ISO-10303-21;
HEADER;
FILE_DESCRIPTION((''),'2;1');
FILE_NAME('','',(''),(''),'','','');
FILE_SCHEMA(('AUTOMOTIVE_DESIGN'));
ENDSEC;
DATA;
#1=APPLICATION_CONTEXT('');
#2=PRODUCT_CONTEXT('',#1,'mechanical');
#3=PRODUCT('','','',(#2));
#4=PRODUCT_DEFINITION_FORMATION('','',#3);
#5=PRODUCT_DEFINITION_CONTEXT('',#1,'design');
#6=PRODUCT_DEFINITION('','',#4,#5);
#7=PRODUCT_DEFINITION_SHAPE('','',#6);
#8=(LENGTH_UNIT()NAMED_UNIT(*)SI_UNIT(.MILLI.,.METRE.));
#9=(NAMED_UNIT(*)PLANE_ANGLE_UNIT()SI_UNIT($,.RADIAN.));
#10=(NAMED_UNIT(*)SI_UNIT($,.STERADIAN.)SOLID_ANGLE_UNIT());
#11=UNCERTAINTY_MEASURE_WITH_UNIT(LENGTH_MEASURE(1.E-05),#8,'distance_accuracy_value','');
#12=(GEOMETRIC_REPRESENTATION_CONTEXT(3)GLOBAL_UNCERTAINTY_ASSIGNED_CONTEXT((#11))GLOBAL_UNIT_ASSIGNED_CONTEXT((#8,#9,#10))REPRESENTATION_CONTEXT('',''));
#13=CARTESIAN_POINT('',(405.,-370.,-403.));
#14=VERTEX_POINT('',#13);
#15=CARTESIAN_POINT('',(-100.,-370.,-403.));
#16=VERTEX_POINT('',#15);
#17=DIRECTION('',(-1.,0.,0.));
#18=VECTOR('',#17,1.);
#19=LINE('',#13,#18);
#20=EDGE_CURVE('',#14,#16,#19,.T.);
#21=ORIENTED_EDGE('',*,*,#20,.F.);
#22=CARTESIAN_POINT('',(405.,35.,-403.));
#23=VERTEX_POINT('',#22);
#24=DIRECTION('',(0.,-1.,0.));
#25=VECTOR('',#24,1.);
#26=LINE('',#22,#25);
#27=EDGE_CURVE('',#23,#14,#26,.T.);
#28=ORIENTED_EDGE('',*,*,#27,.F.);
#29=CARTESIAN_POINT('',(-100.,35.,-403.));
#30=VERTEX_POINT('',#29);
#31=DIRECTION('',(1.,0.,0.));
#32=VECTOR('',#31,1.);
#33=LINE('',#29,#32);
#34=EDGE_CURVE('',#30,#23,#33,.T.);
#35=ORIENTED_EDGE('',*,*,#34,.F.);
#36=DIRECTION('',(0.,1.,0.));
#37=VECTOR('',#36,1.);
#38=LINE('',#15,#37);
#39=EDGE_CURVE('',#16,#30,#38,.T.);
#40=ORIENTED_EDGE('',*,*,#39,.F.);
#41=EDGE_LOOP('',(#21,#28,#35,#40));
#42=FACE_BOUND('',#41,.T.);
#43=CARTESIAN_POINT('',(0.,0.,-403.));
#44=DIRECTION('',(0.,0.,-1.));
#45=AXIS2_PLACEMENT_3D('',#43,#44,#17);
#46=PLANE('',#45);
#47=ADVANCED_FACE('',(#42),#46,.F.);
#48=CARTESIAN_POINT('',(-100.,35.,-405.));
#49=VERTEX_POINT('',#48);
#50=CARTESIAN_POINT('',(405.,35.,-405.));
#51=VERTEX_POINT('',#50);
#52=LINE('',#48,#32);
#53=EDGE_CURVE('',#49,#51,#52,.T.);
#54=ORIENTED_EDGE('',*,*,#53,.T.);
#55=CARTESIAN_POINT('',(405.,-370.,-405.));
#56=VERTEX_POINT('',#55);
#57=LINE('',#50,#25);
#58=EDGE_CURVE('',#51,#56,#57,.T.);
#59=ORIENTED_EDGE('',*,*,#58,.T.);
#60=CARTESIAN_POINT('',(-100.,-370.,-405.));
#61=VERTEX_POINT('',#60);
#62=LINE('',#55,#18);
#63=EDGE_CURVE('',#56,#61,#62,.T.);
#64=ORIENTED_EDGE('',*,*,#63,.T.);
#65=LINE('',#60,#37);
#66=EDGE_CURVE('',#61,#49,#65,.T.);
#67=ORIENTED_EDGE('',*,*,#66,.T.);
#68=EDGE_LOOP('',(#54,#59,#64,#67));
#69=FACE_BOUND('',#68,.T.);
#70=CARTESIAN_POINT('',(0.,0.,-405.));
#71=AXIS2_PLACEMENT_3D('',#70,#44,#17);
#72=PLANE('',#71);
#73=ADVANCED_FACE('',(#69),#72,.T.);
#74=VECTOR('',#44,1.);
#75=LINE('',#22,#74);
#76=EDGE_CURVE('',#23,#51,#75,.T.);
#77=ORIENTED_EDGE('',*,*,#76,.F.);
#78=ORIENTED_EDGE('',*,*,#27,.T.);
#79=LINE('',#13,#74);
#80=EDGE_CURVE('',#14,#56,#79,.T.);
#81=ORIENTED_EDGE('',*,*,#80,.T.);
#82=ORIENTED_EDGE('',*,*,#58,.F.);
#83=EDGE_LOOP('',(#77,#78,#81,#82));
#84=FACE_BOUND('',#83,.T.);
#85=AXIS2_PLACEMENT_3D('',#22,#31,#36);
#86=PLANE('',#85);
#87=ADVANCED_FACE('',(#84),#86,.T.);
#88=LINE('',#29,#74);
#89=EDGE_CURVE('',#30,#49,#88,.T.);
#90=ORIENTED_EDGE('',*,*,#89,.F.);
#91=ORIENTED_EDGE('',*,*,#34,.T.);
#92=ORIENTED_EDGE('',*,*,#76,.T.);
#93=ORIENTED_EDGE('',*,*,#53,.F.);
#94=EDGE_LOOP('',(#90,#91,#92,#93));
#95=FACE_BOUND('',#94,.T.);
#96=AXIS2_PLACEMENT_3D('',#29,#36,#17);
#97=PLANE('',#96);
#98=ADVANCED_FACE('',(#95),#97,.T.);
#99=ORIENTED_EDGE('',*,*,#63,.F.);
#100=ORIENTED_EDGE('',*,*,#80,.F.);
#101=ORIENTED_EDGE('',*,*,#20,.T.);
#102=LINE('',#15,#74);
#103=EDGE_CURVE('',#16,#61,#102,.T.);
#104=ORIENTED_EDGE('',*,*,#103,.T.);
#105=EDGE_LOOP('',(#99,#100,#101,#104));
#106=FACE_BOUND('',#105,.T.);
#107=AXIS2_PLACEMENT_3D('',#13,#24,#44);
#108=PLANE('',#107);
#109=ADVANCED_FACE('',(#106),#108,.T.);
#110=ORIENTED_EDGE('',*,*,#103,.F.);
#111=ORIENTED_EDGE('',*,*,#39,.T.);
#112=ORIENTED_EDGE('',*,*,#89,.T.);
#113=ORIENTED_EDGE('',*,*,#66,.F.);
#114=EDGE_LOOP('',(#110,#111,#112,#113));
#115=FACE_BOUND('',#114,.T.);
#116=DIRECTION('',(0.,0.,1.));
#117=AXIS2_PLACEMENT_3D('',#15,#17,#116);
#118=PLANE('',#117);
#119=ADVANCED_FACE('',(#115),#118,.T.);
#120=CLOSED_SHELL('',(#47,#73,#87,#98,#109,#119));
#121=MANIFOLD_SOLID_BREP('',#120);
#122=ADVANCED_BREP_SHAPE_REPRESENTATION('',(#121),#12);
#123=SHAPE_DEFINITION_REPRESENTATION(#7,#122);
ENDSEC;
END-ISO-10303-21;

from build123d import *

# Parameters (mm, degrees)
SKETCH1_W           = 505
SKETCH1_H           = 405
BOSS_EXTRUDE1_DEPTH = 2


with BuildPart() as part:
    # Sketch1 → Boss-Extrude1 (new body)
    with BuildSketch(Plane(origin=(0, 0, -405), x_dir=(-1, 0, 0), z_dir=(0, 0, -1))):
        with Locations((-152.5, -167.5)):
            Rectangle(SKETCH1_W, SKETCH1_H)
    extrude(amount=-BOSS_EXTRUDE1_DEPTH)


solid = part.part
